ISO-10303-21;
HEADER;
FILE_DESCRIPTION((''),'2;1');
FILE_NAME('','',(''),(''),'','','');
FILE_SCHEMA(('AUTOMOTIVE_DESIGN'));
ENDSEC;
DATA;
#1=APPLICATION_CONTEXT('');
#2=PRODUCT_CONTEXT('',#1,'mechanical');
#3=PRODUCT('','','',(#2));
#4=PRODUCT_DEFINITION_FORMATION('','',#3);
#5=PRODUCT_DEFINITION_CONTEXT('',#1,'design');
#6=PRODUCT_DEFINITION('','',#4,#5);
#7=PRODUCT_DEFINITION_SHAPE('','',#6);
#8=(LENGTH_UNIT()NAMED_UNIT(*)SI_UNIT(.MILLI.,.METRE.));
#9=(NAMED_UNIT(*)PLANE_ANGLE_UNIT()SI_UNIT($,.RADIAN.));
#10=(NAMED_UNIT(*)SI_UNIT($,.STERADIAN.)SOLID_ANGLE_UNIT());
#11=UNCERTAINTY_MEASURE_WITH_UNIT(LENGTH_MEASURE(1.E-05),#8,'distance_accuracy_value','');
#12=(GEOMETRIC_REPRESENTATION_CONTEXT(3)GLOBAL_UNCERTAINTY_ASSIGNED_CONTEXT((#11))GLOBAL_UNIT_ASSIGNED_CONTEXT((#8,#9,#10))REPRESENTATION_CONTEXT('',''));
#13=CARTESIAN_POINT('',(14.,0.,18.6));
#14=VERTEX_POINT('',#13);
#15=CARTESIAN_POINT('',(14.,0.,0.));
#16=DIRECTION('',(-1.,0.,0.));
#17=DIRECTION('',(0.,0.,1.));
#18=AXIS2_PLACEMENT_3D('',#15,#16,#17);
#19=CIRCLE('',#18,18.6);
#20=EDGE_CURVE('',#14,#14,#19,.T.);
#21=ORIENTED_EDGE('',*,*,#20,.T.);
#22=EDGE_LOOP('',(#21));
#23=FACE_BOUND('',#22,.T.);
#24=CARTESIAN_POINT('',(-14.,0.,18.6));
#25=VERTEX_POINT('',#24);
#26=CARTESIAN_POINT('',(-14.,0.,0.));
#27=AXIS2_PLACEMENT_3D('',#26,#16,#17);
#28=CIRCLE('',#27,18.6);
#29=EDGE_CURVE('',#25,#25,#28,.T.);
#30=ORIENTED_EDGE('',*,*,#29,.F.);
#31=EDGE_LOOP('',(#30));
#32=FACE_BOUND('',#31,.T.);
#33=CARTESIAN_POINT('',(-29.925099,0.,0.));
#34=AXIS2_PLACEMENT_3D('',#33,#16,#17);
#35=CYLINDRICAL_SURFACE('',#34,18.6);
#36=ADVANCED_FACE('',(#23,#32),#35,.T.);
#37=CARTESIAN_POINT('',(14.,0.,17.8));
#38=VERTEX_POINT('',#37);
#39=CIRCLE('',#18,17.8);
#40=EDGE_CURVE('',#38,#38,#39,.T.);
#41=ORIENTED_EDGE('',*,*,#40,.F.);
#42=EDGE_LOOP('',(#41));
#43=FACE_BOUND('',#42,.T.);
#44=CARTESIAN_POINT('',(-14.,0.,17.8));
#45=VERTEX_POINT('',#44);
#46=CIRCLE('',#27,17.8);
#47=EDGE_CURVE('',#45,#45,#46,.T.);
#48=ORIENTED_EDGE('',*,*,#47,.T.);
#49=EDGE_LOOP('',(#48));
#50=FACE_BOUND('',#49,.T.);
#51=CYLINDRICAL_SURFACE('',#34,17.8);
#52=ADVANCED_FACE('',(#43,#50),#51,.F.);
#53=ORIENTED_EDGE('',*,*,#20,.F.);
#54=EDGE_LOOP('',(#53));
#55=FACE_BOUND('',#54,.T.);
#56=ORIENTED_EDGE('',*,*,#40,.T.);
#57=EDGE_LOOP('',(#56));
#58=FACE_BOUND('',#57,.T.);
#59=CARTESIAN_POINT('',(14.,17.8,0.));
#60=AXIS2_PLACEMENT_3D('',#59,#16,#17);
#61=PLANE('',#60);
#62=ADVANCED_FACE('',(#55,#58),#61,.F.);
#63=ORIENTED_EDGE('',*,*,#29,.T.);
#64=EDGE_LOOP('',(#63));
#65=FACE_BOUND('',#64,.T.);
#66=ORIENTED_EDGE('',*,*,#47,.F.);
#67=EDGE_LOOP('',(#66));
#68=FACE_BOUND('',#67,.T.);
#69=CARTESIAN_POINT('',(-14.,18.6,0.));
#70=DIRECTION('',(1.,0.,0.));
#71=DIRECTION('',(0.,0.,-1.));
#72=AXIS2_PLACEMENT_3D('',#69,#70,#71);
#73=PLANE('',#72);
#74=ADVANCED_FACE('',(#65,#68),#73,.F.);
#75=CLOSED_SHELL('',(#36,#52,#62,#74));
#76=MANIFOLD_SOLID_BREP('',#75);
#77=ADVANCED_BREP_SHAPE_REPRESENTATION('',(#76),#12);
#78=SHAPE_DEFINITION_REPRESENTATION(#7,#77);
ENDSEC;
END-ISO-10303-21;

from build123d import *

# Parameters (mm, degrees)
ESQUISSE1_W = 28
ESQUISSE1_H = 0.8


with BuildPart() as part:
    # Esquisse1 → Révolution1 (revolve)
    with BuildSketch(Plane.XY):
        with Locations((0, 18.2)):
            Rectangle(ESQUISSE1_W, ESQUISSE1_H)
    revolve(axis=Axis((-29.925099206, 0, 0), (1, 0, 0)))


solid = part.part
